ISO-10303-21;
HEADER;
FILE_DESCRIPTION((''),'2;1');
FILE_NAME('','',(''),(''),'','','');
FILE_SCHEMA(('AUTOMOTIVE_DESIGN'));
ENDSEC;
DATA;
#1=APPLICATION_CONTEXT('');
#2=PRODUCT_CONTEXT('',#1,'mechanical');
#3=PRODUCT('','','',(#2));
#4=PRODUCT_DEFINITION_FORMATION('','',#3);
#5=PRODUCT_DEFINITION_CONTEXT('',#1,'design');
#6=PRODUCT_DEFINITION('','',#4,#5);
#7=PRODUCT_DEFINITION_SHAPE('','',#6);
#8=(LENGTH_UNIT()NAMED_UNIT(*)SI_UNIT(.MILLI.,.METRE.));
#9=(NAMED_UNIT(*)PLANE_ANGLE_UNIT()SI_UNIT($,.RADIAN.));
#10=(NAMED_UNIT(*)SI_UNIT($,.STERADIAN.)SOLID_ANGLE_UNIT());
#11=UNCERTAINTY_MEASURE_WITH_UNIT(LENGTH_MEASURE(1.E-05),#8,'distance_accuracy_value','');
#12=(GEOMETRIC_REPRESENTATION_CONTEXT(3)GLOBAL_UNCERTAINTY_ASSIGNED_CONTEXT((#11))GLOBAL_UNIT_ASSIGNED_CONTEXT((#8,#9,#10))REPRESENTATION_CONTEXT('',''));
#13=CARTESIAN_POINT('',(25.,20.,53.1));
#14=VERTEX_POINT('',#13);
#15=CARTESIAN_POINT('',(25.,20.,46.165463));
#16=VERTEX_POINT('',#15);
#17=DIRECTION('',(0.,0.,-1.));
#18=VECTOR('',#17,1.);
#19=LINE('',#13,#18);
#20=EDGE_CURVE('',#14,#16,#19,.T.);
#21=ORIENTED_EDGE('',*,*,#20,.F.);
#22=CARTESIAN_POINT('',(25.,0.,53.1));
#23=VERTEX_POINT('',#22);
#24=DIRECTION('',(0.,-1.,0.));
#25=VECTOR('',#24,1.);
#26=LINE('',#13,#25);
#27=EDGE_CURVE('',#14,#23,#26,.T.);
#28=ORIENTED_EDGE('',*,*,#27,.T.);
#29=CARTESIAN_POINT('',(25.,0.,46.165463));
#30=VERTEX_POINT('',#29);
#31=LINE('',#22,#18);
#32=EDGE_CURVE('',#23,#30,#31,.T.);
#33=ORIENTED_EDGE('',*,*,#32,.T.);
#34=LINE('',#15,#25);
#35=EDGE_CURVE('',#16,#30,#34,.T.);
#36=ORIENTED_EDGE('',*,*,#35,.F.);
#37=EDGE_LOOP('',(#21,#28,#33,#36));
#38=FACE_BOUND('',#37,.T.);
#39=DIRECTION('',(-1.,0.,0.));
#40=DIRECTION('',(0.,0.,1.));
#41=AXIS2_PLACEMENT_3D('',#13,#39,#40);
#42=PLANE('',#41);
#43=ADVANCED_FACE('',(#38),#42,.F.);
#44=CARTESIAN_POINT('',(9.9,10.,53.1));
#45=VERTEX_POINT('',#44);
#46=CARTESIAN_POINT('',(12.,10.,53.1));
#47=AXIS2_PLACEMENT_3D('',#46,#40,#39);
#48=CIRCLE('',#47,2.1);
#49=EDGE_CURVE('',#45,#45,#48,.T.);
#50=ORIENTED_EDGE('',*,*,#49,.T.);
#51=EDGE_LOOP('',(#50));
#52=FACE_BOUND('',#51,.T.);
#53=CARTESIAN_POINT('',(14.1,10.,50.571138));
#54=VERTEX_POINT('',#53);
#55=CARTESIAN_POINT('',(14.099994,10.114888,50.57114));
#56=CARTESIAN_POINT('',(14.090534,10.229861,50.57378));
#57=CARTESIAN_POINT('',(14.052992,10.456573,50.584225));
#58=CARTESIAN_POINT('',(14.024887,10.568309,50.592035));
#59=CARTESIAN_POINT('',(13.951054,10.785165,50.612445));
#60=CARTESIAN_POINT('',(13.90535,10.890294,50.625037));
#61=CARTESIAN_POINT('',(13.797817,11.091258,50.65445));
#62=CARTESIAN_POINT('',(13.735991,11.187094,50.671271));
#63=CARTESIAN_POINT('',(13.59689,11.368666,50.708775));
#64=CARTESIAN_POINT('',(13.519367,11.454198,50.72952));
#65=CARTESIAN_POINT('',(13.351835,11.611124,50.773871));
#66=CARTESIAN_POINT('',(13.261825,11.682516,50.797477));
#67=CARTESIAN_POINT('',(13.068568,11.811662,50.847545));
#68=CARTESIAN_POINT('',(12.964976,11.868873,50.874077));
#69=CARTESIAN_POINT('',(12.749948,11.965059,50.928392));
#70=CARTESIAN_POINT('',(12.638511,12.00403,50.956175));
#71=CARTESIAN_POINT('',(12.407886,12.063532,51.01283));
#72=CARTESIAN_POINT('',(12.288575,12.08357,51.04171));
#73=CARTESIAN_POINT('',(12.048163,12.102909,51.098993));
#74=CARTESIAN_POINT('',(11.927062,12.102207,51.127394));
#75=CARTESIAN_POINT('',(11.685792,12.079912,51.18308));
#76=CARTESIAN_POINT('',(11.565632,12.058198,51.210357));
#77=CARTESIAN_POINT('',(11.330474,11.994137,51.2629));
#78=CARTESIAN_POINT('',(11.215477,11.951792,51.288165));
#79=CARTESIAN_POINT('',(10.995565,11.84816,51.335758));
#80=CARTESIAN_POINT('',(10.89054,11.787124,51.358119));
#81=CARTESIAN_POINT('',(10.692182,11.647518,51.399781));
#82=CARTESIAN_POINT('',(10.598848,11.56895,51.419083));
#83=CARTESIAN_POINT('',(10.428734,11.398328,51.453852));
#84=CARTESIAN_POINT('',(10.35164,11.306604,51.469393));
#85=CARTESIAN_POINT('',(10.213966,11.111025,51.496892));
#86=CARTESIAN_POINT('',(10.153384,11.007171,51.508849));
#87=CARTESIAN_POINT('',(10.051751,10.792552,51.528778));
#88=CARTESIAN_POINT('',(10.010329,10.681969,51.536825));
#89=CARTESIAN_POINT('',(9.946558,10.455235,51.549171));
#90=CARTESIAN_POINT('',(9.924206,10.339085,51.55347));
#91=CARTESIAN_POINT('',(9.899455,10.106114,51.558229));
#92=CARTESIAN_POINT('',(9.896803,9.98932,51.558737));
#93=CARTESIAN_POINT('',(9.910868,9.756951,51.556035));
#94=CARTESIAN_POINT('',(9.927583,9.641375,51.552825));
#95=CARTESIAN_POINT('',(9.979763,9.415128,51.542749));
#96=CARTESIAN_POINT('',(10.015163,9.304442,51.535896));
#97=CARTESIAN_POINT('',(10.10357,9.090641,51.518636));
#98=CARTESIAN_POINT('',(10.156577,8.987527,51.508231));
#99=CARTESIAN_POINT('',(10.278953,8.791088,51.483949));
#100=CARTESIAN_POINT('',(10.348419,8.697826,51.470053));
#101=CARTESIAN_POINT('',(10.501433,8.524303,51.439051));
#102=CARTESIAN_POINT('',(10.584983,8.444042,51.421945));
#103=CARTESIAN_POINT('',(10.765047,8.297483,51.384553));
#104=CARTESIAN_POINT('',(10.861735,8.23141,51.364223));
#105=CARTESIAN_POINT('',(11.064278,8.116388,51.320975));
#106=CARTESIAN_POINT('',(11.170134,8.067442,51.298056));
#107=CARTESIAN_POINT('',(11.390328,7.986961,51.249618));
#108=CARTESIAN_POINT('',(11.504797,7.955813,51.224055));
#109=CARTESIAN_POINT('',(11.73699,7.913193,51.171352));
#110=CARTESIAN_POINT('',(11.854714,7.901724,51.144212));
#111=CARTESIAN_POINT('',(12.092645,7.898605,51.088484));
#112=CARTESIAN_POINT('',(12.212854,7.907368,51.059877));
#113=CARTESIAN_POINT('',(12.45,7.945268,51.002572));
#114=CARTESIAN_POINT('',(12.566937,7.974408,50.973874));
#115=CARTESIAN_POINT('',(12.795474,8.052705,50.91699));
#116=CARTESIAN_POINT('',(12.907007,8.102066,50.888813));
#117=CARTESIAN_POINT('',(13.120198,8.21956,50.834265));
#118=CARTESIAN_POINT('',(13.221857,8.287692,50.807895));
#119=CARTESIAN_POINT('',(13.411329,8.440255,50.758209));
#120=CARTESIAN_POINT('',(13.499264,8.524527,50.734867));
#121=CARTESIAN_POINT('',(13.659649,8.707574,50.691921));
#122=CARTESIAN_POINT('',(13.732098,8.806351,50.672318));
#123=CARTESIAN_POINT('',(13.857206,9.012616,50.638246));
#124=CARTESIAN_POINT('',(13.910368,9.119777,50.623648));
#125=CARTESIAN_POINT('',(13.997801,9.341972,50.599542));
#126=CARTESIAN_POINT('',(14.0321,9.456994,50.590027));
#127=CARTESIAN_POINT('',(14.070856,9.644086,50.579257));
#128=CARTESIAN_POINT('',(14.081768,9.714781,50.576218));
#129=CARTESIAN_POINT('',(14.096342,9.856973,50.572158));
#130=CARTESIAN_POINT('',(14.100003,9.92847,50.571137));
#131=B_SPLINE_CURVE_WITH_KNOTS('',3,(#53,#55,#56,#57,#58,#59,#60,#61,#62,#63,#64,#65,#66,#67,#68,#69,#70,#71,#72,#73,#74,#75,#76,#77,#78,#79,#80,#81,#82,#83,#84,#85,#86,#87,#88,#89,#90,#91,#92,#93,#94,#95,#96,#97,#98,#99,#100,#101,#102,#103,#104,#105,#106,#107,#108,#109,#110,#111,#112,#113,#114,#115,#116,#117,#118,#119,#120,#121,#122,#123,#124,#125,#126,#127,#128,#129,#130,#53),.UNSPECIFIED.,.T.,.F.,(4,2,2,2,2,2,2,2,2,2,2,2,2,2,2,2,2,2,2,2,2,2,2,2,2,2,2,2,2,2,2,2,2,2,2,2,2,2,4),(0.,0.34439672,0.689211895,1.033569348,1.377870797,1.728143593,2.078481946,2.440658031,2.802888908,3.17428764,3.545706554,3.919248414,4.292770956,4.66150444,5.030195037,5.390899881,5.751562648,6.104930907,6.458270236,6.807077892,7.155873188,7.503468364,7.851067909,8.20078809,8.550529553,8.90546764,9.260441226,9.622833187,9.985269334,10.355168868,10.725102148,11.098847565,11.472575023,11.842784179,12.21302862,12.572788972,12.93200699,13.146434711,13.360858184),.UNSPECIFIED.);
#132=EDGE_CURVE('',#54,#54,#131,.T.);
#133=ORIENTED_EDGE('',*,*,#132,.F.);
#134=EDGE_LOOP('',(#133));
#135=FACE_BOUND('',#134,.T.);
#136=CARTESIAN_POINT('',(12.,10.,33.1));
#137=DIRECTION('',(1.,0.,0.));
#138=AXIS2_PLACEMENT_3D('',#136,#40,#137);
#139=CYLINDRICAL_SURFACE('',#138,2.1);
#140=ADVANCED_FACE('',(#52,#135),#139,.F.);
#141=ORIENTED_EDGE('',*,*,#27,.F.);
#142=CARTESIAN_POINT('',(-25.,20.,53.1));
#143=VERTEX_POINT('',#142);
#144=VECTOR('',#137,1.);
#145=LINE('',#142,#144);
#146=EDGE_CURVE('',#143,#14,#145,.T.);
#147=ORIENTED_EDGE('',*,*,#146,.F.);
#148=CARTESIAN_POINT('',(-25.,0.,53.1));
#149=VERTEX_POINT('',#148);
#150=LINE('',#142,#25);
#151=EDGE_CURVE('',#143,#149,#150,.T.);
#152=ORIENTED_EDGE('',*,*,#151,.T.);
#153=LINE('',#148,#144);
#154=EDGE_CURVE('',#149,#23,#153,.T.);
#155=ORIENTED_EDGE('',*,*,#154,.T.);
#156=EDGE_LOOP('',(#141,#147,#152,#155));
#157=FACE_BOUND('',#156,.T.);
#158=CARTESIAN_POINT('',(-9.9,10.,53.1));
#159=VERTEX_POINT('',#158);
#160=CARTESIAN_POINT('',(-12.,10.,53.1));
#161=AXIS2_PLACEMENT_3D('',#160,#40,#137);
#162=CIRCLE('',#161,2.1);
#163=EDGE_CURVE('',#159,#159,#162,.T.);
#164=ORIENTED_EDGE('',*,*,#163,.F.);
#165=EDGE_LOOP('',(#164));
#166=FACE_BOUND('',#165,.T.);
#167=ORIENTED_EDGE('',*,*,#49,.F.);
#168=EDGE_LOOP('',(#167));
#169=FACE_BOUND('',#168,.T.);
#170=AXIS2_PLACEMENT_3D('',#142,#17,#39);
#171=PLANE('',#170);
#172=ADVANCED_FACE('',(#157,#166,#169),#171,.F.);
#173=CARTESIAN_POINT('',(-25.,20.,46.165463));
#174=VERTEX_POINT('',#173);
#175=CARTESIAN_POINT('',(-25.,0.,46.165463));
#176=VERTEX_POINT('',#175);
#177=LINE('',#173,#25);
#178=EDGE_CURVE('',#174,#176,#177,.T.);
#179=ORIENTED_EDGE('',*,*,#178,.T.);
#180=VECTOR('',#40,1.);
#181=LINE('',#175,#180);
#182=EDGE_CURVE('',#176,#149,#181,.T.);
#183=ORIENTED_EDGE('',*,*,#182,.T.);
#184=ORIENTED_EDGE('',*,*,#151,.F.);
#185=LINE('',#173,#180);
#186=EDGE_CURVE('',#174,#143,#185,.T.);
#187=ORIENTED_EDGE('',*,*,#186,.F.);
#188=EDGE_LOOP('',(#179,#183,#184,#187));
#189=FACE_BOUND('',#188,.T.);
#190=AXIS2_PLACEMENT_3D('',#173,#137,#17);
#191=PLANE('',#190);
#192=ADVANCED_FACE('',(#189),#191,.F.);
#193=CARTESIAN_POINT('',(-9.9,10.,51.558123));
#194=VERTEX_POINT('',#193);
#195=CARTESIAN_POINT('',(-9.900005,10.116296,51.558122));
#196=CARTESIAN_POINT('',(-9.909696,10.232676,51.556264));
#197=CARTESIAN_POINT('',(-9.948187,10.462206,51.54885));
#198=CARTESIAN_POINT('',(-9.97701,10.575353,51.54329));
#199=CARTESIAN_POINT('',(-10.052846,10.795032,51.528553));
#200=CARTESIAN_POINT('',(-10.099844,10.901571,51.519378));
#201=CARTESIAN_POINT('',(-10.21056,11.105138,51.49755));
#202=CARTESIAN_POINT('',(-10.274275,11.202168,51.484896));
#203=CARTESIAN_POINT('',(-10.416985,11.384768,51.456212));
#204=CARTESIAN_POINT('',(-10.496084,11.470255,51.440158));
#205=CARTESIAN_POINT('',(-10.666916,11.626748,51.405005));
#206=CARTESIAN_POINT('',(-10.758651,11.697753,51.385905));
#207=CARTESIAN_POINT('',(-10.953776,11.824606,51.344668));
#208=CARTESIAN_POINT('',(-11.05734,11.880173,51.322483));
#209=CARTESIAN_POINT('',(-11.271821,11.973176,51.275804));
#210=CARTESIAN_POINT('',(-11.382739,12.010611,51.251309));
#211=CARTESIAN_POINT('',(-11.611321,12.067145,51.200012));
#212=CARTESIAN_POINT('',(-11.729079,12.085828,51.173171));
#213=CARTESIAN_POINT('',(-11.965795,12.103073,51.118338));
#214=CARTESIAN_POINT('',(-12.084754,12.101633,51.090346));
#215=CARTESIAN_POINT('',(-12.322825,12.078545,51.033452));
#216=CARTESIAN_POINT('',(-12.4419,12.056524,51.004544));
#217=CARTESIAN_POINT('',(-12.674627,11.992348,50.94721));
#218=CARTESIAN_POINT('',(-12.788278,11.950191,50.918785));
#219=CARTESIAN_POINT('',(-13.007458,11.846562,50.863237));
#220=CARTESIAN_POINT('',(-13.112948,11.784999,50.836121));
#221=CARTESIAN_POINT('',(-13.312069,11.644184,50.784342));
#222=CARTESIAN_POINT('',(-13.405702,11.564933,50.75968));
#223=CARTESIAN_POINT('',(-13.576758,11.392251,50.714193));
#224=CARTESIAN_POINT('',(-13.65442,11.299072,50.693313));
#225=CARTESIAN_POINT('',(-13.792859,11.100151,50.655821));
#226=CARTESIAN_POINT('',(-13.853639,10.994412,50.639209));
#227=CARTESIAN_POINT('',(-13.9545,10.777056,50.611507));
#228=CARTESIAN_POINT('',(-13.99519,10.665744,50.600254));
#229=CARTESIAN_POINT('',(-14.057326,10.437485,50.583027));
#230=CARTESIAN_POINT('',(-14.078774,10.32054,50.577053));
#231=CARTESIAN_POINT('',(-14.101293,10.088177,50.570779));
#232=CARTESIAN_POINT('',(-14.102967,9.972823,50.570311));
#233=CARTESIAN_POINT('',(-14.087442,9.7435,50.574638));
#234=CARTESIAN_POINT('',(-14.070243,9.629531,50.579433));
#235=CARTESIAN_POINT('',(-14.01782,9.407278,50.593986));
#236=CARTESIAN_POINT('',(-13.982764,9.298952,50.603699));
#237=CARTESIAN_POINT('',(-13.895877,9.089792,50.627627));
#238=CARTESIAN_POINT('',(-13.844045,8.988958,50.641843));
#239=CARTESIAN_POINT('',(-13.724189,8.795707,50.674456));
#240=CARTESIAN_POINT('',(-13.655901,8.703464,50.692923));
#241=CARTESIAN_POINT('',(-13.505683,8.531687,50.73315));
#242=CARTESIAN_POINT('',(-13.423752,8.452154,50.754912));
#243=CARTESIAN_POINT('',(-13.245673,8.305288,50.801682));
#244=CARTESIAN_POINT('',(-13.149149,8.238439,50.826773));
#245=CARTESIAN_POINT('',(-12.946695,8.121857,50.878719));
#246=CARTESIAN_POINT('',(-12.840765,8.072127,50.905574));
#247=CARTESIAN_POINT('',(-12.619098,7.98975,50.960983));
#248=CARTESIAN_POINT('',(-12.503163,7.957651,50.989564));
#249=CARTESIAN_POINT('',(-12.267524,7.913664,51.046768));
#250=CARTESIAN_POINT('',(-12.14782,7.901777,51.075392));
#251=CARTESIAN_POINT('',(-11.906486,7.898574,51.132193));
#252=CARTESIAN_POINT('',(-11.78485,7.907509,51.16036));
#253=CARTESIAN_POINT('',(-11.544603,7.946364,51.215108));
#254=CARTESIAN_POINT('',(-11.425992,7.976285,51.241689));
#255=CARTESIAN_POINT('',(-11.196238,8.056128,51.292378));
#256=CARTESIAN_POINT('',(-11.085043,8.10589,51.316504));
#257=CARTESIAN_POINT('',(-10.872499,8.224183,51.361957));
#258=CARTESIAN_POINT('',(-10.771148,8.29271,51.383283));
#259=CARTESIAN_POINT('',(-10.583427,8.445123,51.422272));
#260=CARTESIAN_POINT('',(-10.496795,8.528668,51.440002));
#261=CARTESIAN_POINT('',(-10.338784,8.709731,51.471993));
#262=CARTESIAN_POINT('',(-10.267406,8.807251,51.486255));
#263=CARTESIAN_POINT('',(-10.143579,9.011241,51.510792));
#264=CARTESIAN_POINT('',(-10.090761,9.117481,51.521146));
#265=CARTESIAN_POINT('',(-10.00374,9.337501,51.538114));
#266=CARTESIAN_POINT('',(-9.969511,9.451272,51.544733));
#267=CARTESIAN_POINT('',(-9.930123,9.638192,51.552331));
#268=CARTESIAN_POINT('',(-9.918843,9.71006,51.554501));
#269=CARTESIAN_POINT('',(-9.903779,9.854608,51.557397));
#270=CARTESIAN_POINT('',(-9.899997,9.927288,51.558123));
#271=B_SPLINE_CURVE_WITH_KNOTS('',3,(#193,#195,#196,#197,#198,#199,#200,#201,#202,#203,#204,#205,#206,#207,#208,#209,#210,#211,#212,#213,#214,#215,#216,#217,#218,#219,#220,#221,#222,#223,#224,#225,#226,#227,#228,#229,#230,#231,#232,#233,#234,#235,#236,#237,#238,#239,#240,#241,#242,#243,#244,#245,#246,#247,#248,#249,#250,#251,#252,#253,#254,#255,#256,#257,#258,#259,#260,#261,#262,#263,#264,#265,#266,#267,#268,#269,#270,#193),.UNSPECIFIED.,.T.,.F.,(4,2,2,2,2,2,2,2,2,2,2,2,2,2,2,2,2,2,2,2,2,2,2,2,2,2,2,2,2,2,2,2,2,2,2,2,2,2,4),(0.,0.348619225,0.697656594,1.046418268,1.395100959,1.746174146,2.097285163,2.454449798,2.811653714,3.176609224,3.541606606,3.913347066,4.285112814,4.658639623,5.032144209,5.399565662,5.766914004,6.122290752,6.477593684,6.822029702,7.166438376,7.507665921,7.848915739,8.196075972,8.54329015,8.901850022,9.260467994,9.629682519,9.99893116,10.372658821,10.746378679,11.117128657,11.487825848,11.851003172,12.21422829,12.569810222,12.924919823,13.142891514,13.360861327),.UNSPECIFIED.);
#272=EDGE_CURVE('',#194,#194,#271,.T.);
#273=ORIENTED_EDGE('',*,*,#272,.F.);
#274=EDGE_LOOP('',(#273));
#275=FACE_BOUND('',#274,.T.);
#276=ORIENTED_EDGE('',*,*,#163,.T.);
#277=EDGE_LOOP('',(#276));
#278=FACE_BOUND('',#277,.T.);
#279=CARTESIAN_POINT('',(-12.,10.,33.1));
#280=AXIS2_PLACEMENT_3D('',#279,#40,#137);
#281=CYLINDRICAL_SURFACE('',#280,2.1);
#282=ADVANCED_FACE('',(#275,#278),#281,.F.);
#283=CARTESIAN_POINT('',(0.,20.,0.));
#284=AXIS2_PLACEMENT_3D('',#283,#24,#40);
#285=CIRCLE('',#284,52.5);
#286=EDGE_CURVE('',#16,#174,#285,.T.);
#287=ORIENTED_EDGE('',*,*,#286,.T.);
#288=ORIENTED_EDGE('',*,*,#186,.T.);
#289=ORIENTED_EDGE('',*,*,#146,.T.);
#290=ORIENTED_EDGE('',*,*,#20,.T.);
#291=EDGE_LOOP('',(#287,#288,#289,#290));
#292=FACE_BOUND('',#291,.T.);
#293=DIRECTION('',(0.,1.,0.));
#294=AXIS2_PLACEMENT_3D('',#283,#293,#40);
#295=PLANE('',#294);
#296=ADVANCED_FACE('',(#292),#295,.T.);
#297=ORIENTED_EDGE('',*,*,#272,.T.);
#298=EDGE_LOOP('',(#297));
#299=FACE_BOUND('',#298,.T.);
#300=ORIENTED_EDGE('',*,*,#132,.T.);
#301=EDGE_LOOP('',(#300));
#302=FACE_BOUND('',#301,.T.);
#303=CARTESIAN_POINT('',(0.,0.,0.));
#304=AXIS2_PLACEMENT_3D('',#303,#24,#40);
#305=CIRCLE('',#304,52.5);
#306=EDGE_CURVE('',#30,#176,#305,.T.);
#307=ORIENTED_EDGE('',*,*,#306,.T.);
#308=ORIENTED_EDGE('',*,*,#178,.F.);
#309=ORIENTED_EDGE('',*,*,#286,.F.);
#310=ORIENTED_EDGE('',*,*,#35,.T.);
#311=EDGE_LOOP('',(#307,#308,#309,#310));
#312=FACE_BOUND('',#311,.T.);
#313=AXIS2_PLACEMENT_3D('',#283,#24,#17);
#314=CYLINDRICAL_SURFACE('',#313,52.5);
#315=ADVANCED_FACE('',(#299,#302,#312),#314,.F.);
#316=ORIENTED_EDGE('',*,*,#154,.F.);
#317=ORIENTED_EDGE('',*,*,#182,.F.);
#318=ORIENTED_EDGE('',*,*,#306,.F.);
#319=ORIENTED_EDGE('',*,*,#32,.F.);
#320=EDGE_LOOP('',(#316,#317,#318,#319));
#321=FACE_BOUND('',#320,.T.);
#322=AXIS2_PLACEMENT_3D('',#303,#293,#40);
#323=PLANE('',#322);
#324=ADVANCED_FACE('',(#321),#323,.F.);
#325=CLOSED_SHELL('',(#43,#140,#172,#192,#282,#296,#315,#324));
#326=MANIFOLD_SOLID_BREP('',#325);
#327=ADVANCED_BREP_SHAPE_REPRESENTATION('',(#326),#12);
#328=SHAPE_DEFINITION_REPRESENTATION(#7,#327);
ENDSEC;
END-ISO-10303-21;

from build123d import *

# Parameters (mm, degrees)
EXTRUDE_1_DEPTH     = 20
SKETCH_2_R          = 2.1
CUT_EXTRUDE_1_DEPTH = 20


with BuildPart() as part:
    # Эскиз1 → Бобышка-Вытянуть1 (new body)
    with BuildSketch(Plane(origin=(0, 0, 0), x_dir=(1, 0, 0), z_dir=(0, 1, 0))):
        with BuildLine():
            Line((-25, -46.165463282), (-25, -53.1))
            Line((-25, -53.1), (25, -53.1))
            Line((25, -53.1), (25, -46.165463282))
            ThreePointArc((25, -46.165463282), (0, -52.5), (-25, -46.165463282))
        make_face()
    extrude(amount=EXTRUDE_1_DEPTH)

    # Эскиз2 → Вырез-Вытянуть1 (cut)
    with BuildSketch(Plane.XY.offset(53.1)):
        with Locations((-12, 10)):
            Circle(SKETCH_2_R)
        with Locations((12, 10)):
            Circle(SKETCH_2_R)
    extrude(amount=-CUT_EXTRUDE_1_DEPTH, mode=Mode.SUBTRACT)


solid = part.part
